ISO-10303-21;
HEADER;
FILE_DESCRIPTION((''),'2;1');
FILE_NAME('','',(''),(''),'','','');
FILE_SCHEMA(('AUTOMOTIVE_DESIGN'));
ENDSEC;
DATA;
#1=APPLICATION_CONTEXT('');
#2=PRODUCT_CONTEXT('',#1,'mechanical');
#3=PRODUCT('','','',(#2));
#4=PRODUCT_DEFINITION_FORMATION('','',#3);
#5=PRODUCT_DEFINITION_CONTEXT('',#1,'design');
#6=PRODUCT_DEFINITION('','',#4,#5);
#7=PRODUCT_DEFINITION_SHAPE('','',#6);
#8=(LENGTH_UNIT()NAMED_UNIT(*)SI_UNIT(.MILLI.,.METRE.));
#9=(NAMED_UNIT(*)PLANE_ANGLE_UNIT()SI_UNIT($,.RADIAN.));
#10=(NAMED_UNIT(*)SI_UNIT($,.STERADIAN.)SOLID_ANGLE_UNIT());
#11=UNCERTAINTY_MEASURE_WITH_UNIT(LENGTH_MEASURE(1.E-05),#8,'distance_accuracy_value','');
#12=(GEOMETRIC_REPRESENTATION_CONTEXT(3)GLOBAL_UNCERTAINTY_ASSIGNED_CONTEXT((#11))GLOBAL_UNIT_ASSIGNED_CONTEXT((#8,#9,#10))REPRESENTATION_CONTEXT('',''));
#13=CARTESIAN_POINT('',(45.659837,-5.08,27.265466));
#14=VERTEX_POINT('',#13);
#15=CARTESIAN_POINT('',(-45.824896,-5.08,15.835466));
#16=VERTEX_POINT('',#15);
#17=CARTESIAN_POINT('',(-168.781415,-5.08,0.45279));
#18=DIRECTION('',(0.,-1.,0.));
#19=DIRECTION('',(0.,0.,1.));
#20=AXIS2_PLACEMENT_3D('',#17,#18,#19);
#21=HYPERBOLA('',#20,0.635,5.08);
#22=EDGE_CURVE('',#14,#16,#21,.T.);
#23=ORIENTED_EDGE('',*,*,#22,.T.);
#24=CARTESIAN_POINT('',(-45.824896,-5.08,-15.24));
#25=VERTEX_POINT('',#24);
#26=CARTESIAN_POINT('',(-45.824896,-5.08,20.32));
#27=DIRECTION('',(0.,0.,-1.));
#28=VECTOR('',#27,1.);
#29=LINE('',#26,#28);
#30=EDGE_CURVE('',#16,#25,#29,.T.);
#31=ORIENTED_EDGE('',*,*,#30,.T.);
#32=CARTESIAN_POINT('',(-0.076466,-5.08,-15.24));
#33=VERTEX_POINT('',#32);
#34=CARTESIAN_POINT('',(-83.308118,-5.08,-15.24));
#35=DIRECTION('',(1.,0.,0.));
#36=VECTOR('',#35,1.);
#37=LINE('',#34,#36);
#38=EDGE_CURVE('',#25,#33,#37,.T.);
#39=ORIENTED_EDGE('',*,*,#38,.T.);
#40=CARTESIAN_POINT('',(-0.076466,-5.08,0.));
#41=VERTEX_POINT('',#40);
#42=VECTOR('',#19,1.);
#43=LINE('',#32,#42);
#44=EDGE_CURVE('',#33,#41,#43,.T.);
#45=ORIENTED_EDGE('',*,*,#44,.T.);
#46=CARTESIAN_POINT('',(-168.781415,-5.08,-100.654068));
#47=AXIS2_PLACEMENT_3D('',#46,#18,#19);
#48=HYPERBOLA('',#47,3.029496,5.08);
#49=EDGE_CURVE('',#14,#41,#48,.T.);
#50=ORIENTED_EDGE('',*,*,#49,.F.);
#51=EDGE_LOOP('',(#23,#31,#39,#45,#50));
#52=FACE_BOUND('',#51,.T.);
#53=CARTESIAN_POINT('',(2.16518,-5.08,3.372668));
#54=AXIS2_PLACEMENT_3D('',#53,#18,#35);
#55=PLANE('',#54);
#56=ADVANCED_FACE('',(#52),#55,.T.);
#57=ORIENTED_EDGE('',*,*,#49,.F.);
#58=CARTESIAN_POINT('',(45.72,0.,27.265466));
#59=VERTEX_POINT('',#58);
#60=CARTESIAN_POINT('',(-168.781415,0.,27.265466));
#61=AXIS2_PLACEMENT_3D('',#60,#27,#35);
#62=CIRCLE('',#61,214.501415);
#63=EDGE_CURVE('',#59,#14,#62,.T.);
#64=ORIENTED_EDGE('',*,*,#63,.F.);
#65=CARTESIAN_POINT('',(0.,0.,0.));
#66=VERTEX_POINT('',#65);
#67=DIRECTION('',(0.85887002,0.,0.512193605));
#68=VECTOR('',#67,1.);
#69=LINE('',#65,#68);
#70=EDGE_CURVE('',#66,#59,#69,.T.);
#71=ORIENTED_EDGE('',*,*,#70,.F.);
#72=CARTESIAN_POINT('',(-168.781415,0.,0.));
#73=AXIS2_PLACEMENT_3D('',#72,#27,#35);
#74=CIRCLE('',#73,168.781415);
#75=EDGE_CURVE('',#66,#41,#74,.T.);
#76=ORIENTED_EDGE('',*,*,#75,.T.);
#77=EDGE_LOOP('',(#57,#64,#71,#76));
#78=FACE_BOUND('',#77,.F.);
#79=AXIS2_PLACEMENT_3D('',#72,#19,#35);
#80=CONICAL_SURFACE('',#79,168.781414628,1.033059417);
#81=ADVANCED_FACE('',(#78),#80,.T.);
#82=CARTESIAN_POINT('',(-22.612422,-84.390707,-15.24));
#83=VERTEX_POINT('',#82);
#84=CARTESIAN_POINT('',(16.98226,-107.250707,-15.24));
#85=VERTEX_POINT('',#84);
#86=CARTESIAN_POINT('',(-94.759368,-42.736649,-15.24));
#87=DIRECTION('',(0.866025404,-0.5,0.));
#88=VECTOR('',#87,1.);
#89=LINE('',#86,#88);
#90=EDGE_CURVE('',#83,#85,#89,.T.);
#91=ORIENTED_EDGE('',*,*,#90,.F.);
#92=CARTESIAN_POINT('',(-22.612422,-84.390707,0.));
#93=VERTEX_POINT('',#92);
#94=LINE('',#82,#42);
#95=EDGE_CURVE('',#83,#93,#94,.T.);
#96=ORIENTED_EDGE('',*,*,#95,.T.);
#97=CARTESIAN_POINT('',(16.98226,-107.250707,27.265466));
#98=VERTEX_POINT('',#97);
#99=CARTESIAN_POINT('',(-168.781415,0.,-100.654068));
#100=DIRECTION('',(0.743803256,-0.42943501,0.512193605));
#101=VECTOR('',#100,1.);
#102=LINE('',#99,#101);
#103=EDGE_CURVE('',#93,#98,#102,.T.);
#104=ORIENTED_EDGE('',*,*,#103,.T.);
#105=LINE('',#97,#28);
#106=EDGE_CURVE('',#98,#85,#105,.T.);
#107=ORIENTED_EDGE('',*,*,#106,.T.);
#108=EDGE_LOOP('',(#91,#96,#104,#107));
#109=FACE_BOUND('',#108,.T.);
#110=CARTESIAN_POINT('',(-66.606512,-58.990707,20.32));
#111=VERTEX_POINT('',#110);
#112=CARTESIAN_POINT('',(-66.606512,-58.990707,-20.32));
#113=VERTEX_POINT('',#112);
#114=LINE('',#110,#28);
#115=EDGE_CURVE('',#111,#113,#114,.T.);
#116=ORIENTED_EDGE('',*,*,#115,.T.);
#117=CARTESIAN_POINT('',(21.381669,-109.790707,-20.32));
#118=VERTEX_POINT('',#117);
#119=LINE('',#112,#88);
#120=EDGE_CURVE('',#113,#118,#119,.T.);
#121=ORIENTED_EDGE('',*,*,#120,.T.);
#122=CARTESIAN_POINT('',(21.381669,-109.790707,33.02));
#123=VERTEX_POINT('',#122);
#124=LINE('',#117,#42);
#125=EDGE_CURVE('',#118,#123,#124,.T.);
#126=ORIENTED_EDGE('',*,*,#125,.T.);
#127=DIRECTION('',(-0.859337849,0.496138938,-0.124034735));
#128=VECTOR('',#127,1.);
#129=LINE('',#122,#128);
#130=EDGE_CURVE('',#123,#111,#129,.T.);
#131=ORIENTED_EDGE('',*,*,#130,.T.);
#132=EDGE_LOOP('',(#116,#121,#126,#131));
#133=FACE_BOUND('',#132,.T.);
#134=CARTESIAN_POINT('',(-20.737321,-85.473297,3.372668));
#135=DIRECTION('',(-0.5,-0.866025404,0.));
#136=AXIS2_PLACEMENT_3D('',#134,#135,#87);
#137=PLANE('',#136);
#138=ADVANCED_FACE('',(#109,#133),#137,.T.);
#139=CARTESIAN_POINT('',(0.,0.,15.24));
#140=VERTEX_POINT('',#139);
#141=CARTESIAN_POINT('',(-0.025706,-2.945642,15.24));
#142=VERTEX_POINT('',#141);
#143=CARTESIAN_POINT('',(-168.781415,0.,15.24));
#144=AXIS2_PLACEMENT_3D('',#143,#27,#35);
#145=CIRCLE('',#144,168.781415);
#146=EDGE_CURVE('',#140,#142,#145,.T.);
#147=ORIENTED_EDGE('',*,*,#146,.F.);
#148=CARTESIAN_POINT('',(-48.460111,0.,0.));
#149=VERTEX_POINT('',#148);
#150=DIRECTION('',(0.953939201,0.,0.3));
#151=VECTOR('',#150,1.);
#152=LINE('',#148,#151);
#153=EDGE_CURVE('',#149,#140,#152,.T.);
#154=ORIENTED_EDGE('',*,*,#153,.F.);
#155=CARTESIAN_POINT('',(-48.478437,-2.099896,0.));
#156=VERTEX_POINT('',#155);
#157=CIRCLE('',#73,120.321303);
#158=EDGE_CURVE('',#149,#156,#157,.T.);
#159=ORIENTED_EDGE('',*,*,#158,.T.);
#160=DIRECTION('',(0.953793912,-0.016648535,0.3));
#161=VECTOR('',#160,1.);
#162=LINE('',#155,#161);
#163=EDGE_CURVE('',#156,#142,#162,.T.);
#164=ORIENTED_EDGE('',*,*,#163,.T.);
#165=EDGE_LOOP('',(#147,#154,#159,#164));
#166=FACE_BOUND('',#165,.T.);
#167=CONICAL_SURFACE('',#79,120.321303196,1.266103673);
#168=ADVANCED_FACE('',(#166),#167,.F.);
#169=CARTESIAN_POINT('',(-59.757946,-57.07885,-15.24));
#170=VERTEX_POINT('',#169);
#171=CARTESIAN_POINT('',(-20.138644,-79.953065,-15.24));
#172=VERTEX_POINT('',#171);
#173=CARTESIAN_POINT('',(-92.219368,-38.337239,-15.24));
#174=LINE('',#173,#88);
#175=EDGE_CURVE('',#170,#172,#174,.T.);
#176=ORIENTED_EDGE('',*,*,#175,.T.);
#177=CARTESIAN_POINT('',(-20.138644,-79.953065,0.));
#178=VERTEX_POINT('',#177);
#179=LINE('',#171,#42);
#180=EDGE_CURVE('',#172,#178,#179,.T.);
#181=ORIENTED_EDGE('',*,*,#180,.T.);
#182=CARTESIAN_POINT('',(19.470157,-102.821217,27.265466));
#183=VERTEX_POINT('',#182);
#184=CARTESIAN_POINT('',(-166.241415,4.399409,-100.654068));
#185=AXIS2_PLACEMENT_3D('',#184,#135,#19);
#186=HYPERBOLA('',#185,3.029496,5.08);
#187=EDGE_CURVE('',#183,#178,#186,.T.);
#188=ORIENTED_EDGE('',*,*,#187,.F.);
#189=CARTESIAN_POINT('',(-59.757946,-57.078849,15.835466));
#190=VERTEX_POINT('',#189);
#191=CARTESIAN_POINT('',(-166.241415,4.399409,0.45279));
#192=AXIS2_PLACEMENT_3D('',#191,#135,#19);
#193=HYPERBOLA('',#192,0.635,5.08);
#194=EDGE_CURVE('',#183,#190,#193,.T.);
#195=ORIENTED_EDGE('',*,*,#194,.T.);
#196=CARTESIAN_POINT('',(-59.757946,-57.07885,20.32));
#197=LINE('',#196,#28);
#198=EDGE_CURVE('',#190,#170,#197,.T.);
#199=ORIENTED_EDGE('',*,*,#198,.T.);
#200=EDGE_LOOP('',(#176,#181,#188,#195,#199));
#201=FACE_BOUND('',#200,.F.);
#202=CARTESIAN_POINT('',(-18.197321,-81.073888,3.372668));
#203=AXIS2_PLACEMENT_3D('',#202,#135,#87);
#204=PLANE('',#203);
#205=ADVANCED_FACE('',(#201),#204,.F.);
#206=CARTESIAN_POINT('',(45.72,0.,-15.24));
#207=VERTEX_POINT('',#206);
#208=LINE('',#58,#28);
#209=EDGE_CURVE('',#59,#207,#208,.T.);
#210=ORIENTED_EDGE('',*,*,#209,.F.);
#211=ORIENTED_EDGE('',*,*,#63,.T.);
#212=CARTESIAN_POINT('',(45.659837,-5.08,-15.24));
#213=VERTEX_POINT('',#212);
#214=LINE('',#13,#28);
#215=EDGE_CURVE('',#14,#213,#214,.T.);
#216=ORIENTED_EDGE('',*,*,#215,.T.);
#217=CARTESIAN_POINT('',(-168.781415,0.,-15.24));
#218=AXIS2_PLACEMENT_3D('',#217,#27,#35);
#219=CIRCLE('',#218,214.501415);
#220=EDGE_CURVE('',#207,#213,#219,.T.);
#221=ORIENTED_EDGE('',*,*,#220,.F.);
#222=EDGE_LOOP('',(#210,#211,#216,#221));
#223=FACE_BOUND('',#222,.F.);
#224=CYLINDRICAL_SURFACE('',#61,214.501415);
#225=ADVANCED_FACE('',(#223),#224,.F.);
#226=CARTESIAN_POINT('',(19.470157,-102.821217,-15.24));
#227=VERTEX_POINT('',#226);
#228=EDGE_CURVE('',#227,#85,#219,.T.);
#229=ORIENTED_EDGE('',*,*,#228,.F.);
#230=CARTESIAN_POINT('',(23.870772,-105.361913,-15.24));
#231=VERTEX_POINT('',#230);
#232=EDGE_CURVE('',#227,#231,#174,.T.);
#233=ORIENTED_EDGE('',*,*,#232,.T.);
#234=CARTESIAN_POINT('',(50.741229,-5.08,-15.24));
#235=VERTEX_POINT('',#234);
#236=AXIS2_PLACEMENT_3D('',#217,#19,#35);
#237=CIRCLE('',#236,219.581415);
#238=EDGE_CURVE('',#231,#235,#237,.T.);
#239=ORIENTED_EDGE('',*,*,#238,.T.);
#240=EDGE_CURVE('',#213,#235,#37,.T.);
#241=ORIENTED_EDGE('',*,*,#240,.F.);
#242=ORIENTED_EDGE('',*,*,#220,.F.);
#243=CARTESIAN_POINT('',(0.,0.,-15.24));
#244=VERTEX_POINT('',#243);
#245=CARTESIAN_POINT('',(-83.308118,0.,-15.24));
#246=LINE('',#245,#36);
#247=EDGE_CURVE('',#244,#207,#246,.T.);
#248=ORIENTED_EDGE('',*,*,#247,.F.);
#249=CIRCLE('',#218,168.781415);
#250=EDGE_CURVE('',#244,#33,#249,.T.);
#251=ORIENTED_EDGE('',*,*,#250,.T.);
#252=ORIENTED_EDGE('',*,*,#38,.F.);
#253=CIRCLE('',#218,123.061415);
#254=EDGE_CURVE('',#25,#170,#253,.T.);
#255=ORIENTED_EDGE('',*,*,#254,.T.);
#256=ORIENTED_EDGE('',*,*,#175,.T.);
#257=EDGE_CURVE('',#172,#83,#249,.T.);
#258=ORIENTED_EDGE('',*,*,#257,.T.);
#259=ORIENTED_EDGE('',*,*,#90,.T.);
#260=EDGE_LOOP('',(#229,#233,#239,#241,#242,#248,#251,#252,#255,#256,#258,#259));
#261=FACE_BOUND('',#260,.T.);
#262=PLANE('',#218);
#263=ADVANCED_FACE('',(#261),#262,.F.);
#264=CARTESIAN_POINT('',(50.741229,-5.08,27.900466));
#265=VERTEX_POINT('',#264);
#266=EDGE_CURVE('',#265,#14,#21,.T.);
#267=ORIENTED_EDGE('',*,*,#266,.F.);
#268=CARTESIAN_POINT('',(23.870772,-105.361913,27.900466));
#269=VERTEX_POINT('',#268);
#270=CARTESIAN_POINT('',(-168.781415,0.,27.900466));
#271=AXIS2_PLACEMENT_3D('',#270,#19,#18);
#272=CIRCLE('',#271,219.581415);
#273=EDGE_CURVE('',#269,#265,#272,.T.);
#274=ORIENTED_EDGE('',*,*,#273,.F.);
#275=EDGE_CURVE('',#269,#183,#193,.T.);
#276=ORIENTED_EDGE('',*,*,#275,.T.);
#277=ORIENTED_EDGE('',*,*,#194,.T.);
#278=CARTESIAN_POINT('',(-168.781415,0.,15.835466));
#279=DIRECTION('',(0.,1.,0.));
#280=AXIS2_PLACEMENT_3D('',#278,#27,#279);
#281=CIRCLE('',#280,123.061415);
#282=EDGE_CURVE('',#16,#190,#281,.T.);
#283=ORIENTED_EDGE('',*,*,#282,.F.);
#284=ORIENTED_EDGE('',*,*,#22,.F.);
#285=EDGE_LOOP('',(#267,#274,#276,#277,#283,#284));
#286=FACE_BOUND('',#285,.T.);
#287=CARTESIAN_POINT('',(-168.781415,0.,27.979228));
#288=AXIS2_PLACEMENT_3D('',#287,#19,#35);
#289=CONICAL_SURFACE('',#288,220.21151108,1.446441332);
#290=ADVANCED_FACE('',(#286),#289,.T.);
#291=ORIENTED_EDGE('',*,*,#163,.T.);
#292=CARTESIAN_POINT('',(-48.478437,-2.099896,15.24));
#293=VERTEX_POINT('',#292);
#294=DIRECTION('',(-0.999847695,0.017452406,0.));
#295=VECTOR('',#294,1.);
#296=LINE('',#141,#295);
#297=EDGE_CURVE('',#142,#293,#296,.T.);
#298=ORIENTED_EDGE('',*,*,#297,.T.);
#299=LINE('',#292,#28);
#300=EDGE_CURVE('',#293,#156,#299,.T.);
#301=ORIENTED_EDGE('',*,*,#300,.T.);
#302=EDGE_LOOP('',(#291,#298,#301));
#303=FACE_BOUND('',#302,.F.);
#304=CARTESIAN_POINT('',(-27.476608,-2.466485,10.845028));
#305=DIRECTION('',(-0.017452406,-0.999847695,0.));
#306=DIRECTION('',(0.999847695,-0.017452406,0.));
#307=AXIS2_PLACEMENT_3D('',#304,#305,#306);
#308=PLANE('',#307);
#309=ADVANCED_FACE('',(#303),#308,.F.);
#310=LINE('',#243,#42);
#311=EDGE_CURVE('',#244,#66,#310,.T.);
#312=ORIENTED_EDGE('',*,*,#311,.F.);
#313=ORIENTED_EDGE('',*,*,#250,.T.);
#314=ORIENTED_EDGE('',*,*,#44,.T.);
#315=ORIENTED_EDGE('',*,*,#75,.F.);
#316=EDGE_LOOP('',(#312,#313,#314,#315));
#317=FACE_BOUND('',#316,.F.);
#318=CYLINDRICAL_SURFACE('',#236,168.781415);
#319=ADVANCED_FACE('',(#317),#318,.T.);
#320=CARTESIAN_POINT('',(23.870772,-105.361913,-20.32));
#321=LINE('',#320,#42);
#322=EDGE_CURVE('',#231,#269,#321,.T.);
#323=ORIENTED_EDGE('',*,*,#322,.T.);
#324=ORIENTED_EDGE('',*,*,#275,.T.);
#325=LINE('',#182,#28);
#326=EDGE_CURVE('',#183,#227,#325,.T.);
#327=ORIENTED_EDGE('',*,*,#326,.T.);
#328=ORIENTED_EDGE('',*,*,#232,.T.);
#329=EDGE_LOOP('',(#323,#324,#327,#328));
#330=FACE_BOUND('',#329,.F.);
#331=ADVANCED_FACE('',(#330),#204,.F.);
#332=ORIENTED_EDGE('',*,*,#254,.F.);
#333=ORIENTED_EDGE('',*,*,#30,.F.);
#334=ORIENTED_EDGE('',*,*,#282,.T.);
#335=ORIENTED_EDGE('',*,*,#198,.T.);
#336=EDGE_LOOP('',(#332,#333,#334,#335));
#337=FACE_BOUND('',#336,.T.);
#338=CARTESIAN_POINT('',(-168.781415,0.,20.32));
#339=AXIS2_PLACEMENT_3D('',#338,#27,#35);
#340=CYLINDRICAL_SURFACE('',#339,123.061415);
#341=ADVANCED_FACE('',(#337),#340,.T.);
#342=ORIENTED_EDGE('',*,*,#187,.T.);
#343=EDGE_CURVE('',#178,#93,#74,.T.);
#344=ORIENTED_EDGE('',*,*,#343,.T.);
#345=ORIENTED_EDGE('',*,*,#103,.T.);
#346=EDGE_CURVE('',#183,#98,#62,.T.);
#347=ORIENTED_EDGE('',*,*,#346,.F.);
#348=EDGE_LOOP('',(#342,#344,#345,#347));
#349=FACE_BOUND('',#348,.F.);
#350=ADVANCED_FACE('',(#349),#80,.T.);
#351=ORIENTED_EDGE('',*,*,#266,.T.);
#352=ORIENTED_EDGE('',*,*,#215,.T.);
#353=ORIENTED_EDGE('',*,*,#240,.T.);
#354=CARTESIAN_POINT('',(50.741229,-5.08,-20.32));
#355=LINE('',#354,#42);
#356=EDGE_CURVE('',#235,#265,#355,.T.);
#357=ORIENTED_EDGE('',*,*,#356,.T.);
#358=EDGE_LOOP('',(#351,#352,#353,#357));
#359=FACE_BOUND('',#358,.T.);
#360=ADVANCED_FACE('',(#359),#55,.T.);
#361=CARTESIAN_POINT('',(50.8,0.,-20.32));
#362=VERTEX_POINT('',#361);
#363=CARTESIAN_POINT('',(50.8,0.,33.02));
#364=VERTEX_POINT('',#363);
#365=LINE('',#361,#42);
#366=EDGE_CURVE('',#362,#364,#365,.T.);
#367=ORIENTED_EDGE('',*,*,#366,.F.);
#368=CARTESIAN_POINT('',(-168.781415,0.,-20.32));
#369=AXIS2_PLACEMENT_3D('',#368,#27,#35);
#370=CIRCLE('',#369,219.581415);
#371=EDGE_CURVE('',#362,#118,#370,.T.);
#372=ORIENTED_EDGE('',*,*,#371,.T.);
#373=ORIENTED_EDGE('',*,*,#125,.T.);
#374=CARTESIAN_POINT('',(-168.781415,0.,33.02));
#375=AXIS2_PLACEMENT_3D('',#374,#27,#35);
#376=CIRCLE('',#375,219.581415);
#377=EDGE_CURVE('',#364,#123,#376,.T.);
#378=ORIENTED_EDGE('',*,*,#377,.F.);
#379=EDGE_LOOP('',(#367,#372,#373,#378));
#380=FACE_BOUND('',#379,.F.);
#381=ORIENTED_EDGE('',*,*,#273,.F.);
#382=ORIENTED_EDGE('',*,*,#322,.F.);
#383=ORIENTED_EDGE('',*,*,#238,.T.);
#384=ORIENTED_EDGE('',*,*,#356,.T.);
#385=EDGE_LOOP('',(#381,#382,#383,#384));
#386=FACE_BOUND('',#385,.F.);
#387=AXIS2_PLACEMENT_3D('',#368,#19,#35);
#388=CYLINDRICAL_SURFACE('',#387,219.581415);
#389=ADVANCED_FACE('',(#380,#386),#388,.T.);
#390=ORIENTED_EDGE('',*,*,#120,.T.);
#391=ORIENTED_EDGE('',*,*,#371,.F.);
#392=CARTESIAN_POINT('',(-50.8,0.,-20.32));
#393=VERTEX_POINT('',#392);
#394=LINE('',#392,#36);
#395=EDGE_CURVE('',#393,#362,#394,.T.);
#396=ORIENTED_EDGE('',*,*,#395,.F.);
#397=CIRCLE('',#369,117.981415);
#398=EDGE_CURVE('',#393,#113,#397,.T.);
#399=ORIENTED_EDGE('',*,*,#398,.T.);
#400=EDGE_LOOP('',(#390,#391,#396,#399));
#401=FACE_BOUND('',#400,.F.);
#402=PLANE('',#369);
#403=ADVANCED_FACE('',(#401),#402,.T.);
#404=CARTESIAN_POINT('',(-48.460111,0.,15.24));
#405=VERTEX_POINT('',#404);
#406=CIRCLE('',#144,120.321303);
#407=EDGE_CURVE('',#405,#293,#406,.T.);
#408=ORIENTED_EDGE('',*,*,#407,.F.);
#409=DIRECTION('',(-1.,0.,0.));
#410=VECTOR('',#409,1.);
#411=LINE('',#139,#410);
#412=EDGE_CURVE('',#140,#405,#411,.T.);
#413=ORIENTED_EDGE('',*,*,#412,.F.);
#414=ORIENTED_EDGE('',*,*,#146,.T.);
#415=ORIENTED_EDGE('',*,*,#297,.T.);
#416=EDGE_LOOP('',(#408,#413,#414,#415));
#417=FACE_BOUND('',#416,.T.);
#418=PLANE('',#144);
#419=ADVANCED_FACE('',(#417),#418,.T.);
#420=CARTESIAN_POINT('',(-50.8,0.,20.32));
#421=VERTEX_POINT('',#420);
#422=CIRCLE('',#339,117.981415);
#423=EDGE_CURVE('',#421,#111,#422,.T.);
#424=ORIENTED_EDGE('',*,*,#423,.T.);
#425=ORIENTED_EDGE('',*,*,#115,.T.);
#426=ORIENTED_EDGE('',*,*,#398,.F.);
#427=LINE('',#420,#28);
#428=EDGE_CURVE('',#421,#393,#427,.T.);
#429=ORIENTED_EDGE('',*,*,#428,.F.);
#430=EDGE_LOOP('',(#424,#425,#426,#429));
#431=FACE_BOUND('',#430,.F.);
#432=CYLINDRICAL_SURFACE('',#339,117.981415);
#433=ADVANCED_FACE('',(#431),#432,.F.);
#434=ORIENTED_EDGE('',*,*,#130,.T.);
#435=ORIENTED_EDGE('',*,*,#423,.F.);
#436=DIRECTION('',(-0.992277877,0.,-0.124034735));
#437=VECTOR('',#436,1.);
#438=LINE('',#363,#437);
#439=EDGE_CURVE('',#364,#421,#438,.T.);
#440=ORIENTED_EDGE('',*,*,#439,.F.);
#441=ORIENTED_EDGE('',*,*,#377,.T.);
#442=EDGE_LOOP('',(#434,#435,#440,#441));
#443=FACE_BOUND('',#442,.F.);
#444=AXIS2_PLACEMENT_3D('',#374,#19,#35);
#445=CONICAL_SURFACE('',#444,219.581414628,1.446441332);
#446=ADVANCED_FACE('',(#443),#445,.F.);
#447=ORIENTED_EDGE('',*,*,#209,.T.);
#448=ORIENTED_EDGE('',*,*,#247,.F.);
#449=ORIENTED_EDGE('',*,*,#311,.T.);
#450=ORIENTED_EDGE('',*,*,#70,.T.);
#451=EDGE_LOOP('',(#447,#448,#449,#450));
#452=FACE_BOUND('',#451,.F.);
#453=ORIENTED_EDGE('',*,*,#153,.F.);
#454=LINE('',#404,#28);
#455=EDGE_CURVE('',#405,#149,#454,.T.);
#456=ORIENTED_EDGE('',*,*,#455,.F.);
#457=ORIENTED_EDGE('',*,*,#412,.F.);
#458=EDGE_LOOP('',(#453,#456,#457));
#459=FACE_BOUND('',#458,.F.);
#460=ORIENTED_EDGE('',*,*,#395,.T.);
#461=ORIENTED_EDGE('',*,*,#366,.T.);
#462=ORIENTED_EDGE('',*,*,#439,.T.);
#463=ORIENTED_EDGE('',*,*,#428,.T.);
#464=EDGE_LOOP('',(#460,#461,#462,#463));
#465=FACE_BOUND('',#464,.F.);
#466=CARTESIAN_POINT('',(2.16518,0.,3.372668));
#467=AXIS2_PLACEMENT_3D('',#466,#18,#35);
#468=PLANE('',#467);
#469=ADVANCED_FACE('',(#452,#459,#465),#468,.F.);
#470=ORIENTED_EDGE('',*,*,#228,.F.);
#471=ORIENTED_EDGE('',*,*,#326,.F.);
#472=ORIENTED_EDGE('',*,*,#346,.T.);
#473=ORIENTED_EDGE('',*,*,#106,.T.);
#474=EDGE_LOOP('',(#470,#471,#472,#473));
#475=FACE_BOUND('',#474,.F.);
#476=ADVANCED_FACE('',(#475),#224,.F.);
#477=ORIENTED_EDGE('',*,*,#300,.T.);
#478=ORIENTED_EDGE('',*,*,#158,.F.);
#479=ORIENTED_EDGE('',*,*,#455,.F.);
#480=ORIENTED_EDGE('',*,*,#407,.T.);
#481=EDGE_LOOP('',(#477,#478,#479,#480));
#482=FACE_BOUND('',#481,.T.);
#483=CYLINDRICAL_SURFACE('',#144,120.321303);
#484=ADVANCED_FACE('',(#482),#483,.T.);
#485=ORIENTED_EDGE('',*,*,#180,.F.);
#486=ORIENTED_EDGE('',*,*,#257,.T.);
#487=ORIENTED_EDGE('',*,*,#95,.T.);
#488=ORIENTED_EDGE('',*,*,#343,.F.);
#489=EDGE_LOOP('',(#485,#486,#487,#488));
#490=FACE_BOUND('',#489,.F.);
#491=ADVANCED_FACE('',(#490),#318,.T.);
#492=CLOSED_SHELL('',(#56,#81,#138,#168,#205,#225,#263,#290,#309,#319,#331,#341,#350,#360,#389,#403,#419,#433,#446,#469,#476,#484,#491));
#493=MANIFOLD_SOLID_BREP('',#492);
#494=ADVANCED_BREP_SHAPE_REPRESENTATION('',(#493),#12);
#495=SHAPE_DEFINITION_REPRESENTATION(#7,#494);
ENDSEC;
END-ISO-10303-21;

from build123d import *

# Parameters (mm, degrees)
F1_ANGLE = 30
F2_T     = -5.08
F6_ANGLE = 1


with BuildPart() as f1:
    # F0 (on Front) → F1 (revolve)
    with BuildSketch(Plane.XZ):
        Polygon((-50.8, -20.32), (50.8, -20.32), (50.8, 20.32), (50.8, 33.02), (-50.8, 20.32), align=None)
    revolve(axis=Axis((-168.781414628, 0, 147.0986076593), (0, 0, -1)), revolution_arc=F1_ANGLE)

    # F2
    f2_openings = [f1.faces().sort_by_distance(p)[0] for p in [
        (43.317945, -56.831852, 6.35),
    ]]
    offset(amount=F2_T, openings=f2_openings, kind=Kind.INTERSECTION)

    # F3 (on face) → F4 (revolve, cut)
    with BuildSketch(Plane(origin=(0, 0, 0), x_dir=(-1, 0, 0), z_dir=(0, 1, 0))):
        Polygon((0, 0), (-45.72, 27.2654663298), (-45.72, -15.24), (0, -15.24), align=None)
    revolve(axis=Axis((-168.781414628, 0, 147.0986076593), (0, 0, -1)), mode=Mode.SUBTRACT)

    # F5 (on face) → F6 (revolve, cut)
    with BuildSketch(Plane.XZ):
        Polygon((-48.460111432, 15.24), (-48.460111432, 0), (0, 15.24), align=None)
    revolve(axis=Axis((-168.781414628, 0, 147.0986076593), (0, 0, -1)), revolution_arc=F6_ANGLE, mode=Mode.SUBTRACT)


solid = f1.part
